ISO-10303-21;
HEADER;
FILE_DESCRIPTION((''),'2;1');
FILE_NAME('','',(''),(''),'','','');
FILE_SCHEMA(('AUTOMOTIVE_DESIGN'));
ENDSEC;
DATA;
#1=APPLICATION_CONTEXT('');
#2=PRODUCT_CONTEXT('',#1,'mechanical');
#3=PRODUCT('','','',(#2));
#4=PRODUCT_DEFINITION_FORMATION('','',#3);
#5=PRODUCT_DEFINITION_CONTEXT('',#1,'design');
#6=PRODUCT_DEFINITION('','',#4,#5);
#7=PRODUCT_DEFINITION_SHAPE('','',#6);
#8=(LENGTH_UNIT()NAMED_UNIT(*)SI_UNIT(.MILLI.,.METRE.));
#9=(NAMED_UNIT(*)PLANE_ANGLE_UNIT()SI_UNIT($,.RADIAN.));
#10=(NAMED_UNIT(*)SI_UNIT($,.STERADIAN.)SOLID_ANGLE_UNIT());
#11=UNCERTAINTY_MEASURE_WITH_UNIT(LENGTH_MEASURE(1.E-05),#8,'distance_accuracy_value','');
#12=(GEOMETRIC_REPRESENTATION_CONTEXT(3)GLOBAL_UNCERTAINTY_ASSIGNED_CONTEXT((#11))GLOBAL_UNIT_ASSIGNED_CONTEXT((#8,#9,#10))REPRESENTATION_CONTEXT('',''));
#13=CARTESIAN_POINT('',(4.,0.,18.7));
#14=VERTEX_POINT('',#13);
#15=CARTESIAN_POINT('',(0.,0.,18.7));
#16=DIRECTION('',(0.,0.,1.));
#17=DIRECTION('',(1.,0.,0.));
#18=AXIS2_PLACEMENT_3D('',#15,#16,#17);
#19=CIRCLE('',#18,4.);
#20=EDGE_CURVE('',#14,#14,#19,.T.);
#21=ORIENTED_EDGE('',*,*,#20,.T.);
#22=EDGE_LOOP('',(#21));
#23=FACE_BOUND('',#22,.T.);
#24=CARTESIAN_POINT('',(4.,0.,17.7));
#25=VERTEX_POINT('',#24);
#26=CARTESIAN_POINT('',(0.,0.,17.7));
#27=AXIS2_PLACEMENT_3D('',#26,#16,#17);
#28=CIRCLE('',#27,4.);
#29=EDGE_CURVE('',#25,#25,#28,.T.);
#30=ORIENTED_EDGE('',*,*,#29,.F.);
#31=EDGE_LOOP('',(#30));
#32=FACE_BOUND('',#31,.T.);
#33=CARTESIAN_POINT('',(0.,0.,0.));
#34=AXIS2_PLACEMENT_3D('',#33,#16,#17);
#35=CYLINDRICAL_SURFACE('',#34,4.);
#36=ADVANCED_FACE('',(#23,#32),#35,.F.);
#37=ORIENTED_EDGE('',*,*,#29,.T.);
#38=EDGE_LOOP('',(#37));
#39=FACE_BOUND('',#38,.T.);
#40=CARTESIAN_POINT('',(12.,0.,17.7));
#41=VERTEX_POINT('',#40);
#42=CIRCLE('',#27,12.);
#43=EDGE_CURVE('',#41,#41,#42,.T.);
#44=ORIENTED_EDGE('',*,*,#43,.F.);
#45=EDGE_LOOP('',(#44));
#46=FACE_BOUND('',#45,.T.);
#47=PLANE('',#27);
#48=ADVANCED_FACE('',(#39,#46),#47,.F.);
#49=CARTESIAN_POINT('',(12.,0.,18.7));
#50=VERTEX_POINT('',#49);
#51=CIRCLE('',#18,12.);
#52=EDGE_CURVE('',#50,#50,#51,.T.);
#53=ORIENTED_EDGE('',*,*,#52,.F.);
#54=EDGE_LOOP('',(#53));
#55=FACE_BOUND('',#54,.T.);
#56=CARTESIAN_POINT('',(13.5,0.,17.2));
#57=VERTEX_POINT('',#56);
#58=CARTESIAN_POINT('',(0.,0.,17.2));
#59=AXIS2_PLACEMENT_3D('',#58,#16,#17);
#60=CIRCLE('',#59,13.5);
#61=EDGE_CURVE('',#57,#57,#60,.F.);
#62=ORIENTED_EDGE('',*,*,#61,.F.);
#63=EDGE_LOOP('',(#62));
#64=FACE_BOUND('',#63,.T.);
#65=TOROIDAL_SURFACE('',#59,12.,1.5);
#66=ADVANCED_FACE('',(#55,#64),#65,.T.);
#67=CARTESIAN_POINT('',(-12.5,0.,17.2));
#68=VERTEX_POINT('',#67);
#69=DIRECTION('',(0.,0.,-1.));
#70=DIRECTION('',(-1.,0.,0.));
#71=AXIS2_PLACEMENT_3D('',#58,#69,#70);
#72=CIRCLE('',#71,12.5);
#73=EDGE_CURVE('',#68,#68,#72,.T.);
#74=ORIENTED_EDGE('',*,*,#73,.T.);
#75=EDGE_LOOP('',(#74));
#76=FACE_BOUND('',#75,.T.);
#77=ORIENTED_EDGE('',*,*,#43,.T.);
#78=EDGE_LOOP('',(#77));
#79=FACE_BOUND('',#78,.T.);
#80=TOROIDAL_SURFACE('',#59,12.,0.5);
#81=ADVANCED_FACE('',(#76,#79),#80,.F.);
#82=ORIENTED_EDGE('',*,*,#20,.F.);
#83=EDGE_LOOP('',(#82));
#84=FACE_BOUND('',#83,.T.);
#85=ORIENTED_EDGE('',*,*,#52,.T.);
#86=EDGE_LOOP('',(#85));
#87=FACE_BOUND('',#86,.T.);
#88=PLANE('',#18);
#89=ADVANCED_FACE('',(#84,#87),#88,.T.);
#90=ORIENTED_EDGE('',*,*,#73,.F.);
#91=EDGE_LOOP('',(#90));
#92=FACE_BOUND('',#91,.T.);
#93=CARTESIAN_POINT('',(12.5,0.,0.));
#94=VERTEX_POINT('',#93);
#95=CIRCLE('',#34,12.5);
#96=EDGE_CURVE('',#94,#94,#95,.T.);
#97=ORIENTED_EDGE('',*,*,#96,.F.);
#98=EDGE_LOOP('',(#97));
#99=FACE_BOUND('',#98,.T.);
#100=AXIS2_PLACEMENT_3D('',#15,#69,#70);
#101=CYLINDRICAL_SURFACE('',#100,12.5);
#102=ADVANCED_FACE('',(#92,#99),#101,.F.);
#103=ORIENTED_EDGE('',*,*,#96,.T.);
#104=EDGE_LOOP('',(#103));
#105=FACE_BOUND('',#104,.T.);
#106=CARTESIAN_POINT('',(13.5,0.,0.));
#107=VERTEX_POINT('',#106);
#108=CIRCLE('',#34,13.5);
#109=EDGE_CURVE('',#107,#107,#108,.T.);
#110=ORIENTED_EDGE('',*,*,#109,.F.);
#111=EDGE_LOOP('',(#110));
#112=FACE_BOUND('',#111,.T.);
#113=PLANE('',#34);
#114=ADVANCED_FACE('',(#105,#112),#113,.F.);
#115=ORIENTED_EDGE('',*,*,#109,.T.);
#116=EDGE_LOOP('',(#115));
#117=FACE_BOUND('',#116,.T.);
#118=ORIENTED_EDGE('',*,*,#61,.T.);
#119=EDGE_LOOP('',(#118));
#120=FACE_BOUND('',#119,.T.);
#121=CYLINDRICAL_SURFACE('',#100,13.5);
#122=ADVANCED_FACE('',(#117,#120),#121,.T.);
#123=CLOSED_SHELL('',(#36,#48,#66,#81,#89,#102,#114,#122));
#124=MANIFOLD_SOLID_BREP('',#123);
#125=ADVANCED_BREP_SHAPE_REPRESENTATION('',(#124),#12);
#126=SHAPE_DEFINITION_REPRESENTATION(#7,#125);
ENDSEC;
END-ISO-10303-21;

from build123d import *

# Parameters (mm, degrees)
ESQUISSE1_R             = 13.5
EXTRUSION1_DEPTH        = 18.7
CONG_1_R                = 1.5
COQUE1_T                = -1
ESQUISSE2_R             = 4
ENL_V_MAT_EXTRU_1_DEPTH = 19.7


with BuildPart() as part:
    # Esquisse1 → Extrusion1 (new body)
    with BuildSketch(Plane.XY):
        Circle(ESQUISSE1_R)
    extrude(amount=EXTRUSION1_DEPTH)

    # Congé1
    cong_1_edges = [part.edges().sort_by_distance(p)[0] for p in [
        (-13.5, 0, 18.7),
    ]]
    fillet(cong_1_edges, radius=CONG_1_R)

    # Coque1
    coque1_openings = [part.faces().sort_by_distance(p)[0] for p in [
        (0, 0, 0),
    ]]
    offset(amount=COQUE1_T, openings=coque1_openings, kind=Kind.INTERSECTION)

    # Esquisse2 → Enlèv. mat.-Extru.1 (cut, through all)
    with BuildSketch(Plane.XY.offset(18.7)):
        Circle(ESQUISSE2_R)
    extrude(amount=-ENL_V_MAT_EXTRU_1_DEPTH, mode=Mode.SUBTRACT)


solid = part.part
